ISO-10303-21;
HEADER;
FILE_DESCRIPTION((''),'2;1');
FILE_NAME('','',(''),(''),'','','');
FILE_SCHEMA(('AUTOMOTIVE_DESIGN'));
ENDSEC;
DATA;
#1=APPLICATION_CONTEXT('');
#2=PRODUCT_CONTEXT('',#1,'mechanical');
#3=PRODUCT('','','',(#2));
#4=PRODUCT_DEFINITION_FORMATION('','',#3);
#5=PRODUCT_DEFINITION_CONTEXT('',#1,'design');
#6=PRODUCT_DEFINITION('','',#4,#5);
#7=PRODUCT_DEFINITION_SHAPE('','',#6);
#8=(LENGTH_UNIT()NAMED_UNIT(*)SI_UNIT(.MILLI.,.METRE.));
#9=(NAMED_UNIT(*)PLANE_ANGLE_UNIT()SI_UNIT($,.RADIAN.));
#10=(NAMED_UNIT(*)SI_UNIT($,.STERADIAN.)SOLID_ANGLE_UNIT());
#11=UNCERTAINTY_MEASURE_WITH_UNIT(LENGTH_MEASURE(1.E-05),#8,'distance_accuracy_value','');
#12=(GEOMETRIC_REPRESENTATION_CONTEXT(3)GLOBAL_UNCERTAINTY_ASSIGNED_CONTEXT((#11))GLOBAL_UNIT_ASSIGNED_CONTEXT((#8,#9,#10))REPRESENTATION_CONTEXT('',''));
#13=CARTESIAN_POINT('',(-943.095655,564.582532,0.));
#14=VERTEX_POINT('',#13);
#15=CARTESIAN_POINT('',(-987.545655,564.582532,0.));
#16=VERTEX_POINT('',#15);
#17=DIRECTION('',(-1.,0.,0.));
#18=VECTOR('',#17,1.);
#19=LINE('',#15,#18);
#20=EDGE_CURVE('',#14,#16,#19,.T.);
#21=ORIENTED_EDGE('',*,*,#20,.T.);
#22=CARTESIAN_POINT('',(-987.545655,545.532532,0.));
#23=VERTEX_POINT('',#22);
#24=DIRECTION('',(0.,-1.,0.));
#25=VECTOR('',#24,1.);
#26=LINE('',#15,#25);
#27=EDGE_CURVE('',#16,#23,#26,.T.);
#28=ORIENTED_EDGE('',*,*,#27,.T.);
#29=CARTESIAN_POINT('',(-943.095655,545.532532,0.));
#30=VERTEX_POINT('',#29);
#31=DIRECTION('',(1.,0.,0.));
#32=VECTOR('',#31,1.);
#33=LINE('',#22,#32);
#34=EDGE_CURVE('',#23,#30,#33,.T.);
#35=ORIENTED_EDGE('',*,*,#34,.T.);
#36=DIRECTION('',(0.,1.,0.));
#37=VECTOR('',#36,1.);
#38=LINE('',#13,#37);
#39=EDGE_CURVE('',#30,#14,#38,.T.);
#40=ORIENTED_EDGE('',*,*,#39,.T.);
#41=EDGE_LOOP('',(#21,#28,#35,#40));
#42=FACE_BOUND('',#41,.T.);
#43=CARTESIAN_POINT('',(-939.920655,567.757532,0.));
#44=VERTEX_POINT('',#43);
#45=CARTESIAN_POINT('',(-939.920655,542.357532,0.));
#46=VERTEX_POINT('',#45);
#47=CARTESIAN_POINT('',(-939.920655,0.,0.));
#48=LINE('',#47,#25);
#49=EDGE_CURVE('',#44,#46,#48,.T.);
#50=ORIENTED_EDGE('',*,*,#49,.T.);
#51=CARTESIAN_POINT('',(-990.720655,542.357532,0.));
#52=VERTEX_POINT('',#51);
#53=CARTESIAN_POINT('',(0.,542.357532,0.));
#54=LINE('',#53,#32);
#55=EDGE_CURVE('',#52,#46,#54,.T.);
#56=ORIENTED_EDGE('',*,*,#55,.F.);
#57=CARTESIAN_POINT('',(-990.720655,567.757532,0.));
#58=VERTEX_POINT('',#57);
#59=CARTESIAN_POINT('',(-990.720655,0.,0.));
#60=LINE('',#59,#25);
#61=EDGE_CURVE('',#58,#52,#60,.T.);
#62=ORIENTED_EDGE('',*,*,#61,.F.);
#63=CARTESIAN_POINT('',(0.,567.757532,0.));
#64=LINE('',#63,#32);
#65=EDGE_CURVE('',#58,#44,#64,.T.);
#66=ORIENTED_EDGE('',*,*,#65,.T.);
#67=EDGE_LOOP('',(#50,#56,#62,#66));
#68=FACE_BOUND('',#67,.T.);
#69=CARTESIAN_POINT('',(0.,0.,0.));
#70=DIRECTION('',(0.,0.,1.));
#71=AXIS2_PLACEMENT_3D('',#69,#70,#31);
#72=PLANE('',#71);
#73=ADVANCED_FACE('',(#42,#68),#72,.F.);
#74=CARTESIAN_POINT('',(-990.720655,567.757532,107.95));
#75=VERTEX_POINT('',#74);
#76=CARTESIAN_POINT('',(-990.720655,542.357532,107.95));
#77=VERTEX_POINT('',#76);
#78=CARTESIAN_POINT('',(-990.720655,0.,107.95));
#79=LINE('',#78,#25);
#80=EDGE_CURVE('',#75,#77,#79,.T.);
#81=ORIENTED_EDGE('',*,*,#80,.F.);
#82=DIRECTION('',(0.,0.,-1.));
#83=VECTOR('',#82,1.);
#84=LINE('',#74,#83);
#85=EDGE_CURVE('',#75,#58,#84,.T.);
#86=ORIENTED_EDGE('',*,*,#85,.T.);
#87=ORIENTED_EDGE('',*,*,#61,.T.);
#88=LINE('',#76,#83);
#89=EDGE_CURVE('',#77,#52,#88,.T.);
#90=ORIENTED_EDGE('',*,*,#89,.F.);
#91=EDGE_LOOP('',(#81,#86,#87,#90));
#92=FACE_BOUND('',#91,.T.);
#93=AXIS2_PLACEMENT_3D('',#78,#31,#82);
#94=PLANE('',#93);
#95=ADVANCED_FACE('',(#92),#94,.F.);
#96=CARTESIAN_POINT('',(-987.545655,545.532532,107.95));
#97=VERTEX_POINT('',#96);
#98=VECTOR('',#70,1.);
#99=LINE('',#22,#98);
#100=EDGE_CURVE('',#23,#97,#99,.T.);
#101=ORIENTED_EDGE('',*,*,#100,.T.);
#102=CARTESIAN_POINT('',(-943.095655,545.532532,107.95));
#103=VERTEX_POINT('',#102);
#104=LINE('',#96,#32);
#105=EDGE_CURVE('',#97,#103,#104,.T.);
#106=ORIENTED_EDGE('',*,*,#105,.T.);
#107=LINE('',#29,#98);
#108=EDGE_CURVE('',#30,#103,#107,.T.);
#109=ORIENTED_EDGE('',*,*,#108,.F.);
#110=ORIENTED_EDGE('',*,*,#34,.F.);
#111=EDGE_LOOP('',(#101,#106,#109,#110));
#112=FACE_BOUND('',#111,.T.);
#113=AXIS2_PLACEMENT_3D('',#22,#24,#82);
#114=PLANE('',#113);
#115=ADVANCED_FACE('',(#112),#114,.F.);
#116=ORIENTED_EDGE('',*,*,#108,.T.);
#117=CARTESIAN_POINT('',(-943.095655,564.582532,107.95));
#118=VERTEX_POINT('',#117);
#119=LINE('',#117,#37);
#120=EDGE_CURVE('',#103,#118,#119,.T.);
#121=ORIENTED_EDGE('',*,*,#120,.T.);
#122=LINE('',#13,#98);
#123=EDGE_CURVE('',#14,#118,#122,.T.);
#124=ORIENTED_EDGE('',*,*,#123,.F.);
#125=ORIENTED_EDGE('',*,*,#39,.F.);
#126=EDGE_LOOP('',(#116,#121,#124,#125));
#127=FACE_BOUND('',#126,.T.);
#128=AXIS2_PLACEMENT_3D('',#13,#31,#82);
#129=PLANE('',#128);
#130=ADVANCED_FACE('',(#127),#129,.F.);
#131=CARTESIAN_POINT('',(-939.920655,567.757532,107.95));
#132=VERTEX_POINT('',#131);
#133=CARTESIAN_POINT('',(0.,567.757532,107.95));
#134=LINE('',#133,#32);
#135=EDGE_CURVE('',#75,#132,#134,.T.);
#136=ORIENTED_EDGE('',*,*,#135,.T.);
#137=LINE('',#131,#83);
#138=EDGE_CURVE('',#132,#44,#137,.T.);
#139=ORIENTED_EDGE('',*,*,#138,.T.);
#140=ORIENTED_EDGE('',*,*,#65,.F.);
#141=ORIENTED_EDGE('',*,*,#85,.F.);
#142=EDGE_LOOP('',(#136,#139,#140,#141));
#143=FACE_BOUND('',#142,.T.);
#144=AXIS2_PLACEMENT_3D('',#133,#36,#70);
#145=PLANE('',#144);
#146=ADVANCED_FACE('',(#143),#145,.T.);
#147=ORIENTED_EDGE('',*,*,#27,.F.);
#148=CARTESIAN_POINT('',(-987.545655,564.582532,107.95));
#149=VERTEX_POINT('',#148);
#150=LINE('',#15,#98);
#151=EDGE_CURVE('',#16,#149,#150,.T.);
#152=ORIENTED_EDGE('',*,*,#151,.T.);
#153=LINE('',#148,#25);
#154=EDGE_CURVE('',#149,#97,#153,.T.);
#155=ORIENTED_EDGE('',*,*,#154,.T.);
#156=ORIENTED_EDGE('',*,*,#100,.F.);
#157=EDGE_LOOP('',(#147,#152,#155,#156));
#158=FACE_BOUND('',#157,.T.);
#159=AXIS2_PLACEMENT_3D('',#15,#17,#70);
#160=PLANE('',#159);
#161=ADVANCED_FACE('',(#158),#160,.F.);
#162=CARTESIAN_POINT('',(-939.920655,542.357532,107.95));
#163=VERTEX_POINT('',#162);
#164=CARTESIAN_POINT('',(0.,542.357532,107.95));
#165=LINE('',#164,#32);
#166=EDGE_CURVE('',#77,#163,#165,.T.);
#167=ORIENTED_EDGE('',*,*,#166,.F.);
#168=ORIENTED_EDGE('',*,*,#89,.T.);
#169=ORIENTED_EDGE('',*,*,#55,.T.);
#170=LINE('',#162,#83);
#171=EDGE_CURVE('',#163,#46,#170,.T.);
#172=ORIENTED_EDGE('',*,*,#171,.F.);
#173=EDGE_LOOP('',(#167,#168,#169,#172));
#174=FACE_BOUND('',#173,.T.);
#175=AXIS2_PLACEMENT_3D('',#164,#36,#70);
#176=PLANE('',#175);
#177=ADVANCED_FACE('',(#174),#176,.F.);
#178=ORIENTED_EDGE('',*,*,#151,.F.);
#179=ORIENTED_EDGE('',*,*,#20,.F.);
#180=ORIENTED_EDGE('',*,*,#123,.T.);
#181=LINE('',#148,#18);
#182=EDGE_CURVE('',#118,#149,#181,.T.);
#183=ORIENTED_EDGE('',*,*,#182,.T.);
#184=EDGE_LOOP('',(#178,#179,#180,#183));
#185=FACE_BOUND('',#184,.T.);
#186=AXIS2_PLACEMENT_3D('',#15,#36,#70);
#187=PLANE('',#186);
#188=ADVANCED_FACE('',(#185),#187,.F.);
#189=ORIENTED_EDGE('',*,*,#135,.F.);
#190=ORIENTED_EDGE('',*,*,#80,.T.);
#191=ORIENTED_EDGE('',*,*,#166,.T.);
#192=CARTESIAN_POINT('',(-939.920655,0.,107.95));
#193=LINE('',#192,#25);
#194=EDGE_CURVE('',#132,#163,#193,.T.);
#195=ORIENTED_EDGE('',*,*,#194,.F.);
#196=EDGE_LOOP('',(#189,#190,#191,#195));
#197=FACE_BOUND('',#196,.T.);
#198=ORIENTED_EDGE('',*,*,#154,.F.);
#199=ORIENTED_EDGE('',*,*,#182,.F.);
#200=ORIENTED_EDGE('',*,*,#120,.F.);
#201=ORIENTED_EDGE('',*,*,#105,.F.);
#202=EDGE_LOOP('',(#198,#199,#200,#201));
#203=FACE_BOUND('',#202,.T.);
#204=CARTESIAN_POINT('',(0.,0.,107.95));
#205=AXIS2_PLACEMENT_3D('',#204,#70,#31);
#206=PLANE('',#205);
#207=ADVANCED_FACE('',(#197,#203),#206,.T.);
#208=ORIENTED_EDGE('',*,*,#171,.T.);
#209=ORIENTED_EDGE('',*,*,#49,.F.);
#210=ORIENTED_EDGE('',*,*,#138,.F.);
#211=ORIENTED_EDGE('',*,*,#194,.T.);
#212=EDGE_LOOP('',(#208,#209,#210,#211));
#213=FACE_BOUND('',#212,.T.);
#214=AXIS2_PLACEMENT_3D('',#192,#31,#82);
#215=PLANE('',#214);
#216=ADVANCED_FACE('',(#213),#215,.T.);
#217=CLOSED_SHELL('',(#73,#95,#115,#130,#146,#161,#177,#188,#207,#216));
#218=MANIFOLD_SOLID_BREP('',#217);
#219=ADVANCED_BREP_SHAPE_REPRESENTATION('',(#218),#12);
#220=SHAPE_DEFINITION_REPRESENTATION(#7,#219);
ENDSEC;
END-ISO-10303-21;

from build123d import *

# Parameters (mm, degrees)
SKETCH1_W           = 50.8
SKETCH1_H           = 25.4
BOSS_EXTRUDE1_DEPTH = 107.95
SKETCH2_W           = 44.45
SKETCH2_H           = 19.05
CUT_EXTRUDE1_DEPTH  = 1147.965228012


with BuildPart() as part:
    # Sketch1 → Boss-Extrude1 (new body)
    with BuildSketch(Plane.XY):
        with Locations((-965.320655189, 555.057532007)):
            Rectangle(SKETCH1_W, SKETCH1_H)
    extrude(amount=BOSS_EXTRUDE1_DEPTH)

    # Sketch2 → Cut-Extrude1 (cut, through all)
    with BuildSketch(Plane.XY.offset(107.95)):
        with Locations((-965.320655189, 555.057532007)):
            Rectangle(SKETCH2_W, SKETCH2_H)
    extrude(amount=-CUT_EXTRUDE1_DEPTH, mode=Mode.SUBTRACT)


solid = part.part
